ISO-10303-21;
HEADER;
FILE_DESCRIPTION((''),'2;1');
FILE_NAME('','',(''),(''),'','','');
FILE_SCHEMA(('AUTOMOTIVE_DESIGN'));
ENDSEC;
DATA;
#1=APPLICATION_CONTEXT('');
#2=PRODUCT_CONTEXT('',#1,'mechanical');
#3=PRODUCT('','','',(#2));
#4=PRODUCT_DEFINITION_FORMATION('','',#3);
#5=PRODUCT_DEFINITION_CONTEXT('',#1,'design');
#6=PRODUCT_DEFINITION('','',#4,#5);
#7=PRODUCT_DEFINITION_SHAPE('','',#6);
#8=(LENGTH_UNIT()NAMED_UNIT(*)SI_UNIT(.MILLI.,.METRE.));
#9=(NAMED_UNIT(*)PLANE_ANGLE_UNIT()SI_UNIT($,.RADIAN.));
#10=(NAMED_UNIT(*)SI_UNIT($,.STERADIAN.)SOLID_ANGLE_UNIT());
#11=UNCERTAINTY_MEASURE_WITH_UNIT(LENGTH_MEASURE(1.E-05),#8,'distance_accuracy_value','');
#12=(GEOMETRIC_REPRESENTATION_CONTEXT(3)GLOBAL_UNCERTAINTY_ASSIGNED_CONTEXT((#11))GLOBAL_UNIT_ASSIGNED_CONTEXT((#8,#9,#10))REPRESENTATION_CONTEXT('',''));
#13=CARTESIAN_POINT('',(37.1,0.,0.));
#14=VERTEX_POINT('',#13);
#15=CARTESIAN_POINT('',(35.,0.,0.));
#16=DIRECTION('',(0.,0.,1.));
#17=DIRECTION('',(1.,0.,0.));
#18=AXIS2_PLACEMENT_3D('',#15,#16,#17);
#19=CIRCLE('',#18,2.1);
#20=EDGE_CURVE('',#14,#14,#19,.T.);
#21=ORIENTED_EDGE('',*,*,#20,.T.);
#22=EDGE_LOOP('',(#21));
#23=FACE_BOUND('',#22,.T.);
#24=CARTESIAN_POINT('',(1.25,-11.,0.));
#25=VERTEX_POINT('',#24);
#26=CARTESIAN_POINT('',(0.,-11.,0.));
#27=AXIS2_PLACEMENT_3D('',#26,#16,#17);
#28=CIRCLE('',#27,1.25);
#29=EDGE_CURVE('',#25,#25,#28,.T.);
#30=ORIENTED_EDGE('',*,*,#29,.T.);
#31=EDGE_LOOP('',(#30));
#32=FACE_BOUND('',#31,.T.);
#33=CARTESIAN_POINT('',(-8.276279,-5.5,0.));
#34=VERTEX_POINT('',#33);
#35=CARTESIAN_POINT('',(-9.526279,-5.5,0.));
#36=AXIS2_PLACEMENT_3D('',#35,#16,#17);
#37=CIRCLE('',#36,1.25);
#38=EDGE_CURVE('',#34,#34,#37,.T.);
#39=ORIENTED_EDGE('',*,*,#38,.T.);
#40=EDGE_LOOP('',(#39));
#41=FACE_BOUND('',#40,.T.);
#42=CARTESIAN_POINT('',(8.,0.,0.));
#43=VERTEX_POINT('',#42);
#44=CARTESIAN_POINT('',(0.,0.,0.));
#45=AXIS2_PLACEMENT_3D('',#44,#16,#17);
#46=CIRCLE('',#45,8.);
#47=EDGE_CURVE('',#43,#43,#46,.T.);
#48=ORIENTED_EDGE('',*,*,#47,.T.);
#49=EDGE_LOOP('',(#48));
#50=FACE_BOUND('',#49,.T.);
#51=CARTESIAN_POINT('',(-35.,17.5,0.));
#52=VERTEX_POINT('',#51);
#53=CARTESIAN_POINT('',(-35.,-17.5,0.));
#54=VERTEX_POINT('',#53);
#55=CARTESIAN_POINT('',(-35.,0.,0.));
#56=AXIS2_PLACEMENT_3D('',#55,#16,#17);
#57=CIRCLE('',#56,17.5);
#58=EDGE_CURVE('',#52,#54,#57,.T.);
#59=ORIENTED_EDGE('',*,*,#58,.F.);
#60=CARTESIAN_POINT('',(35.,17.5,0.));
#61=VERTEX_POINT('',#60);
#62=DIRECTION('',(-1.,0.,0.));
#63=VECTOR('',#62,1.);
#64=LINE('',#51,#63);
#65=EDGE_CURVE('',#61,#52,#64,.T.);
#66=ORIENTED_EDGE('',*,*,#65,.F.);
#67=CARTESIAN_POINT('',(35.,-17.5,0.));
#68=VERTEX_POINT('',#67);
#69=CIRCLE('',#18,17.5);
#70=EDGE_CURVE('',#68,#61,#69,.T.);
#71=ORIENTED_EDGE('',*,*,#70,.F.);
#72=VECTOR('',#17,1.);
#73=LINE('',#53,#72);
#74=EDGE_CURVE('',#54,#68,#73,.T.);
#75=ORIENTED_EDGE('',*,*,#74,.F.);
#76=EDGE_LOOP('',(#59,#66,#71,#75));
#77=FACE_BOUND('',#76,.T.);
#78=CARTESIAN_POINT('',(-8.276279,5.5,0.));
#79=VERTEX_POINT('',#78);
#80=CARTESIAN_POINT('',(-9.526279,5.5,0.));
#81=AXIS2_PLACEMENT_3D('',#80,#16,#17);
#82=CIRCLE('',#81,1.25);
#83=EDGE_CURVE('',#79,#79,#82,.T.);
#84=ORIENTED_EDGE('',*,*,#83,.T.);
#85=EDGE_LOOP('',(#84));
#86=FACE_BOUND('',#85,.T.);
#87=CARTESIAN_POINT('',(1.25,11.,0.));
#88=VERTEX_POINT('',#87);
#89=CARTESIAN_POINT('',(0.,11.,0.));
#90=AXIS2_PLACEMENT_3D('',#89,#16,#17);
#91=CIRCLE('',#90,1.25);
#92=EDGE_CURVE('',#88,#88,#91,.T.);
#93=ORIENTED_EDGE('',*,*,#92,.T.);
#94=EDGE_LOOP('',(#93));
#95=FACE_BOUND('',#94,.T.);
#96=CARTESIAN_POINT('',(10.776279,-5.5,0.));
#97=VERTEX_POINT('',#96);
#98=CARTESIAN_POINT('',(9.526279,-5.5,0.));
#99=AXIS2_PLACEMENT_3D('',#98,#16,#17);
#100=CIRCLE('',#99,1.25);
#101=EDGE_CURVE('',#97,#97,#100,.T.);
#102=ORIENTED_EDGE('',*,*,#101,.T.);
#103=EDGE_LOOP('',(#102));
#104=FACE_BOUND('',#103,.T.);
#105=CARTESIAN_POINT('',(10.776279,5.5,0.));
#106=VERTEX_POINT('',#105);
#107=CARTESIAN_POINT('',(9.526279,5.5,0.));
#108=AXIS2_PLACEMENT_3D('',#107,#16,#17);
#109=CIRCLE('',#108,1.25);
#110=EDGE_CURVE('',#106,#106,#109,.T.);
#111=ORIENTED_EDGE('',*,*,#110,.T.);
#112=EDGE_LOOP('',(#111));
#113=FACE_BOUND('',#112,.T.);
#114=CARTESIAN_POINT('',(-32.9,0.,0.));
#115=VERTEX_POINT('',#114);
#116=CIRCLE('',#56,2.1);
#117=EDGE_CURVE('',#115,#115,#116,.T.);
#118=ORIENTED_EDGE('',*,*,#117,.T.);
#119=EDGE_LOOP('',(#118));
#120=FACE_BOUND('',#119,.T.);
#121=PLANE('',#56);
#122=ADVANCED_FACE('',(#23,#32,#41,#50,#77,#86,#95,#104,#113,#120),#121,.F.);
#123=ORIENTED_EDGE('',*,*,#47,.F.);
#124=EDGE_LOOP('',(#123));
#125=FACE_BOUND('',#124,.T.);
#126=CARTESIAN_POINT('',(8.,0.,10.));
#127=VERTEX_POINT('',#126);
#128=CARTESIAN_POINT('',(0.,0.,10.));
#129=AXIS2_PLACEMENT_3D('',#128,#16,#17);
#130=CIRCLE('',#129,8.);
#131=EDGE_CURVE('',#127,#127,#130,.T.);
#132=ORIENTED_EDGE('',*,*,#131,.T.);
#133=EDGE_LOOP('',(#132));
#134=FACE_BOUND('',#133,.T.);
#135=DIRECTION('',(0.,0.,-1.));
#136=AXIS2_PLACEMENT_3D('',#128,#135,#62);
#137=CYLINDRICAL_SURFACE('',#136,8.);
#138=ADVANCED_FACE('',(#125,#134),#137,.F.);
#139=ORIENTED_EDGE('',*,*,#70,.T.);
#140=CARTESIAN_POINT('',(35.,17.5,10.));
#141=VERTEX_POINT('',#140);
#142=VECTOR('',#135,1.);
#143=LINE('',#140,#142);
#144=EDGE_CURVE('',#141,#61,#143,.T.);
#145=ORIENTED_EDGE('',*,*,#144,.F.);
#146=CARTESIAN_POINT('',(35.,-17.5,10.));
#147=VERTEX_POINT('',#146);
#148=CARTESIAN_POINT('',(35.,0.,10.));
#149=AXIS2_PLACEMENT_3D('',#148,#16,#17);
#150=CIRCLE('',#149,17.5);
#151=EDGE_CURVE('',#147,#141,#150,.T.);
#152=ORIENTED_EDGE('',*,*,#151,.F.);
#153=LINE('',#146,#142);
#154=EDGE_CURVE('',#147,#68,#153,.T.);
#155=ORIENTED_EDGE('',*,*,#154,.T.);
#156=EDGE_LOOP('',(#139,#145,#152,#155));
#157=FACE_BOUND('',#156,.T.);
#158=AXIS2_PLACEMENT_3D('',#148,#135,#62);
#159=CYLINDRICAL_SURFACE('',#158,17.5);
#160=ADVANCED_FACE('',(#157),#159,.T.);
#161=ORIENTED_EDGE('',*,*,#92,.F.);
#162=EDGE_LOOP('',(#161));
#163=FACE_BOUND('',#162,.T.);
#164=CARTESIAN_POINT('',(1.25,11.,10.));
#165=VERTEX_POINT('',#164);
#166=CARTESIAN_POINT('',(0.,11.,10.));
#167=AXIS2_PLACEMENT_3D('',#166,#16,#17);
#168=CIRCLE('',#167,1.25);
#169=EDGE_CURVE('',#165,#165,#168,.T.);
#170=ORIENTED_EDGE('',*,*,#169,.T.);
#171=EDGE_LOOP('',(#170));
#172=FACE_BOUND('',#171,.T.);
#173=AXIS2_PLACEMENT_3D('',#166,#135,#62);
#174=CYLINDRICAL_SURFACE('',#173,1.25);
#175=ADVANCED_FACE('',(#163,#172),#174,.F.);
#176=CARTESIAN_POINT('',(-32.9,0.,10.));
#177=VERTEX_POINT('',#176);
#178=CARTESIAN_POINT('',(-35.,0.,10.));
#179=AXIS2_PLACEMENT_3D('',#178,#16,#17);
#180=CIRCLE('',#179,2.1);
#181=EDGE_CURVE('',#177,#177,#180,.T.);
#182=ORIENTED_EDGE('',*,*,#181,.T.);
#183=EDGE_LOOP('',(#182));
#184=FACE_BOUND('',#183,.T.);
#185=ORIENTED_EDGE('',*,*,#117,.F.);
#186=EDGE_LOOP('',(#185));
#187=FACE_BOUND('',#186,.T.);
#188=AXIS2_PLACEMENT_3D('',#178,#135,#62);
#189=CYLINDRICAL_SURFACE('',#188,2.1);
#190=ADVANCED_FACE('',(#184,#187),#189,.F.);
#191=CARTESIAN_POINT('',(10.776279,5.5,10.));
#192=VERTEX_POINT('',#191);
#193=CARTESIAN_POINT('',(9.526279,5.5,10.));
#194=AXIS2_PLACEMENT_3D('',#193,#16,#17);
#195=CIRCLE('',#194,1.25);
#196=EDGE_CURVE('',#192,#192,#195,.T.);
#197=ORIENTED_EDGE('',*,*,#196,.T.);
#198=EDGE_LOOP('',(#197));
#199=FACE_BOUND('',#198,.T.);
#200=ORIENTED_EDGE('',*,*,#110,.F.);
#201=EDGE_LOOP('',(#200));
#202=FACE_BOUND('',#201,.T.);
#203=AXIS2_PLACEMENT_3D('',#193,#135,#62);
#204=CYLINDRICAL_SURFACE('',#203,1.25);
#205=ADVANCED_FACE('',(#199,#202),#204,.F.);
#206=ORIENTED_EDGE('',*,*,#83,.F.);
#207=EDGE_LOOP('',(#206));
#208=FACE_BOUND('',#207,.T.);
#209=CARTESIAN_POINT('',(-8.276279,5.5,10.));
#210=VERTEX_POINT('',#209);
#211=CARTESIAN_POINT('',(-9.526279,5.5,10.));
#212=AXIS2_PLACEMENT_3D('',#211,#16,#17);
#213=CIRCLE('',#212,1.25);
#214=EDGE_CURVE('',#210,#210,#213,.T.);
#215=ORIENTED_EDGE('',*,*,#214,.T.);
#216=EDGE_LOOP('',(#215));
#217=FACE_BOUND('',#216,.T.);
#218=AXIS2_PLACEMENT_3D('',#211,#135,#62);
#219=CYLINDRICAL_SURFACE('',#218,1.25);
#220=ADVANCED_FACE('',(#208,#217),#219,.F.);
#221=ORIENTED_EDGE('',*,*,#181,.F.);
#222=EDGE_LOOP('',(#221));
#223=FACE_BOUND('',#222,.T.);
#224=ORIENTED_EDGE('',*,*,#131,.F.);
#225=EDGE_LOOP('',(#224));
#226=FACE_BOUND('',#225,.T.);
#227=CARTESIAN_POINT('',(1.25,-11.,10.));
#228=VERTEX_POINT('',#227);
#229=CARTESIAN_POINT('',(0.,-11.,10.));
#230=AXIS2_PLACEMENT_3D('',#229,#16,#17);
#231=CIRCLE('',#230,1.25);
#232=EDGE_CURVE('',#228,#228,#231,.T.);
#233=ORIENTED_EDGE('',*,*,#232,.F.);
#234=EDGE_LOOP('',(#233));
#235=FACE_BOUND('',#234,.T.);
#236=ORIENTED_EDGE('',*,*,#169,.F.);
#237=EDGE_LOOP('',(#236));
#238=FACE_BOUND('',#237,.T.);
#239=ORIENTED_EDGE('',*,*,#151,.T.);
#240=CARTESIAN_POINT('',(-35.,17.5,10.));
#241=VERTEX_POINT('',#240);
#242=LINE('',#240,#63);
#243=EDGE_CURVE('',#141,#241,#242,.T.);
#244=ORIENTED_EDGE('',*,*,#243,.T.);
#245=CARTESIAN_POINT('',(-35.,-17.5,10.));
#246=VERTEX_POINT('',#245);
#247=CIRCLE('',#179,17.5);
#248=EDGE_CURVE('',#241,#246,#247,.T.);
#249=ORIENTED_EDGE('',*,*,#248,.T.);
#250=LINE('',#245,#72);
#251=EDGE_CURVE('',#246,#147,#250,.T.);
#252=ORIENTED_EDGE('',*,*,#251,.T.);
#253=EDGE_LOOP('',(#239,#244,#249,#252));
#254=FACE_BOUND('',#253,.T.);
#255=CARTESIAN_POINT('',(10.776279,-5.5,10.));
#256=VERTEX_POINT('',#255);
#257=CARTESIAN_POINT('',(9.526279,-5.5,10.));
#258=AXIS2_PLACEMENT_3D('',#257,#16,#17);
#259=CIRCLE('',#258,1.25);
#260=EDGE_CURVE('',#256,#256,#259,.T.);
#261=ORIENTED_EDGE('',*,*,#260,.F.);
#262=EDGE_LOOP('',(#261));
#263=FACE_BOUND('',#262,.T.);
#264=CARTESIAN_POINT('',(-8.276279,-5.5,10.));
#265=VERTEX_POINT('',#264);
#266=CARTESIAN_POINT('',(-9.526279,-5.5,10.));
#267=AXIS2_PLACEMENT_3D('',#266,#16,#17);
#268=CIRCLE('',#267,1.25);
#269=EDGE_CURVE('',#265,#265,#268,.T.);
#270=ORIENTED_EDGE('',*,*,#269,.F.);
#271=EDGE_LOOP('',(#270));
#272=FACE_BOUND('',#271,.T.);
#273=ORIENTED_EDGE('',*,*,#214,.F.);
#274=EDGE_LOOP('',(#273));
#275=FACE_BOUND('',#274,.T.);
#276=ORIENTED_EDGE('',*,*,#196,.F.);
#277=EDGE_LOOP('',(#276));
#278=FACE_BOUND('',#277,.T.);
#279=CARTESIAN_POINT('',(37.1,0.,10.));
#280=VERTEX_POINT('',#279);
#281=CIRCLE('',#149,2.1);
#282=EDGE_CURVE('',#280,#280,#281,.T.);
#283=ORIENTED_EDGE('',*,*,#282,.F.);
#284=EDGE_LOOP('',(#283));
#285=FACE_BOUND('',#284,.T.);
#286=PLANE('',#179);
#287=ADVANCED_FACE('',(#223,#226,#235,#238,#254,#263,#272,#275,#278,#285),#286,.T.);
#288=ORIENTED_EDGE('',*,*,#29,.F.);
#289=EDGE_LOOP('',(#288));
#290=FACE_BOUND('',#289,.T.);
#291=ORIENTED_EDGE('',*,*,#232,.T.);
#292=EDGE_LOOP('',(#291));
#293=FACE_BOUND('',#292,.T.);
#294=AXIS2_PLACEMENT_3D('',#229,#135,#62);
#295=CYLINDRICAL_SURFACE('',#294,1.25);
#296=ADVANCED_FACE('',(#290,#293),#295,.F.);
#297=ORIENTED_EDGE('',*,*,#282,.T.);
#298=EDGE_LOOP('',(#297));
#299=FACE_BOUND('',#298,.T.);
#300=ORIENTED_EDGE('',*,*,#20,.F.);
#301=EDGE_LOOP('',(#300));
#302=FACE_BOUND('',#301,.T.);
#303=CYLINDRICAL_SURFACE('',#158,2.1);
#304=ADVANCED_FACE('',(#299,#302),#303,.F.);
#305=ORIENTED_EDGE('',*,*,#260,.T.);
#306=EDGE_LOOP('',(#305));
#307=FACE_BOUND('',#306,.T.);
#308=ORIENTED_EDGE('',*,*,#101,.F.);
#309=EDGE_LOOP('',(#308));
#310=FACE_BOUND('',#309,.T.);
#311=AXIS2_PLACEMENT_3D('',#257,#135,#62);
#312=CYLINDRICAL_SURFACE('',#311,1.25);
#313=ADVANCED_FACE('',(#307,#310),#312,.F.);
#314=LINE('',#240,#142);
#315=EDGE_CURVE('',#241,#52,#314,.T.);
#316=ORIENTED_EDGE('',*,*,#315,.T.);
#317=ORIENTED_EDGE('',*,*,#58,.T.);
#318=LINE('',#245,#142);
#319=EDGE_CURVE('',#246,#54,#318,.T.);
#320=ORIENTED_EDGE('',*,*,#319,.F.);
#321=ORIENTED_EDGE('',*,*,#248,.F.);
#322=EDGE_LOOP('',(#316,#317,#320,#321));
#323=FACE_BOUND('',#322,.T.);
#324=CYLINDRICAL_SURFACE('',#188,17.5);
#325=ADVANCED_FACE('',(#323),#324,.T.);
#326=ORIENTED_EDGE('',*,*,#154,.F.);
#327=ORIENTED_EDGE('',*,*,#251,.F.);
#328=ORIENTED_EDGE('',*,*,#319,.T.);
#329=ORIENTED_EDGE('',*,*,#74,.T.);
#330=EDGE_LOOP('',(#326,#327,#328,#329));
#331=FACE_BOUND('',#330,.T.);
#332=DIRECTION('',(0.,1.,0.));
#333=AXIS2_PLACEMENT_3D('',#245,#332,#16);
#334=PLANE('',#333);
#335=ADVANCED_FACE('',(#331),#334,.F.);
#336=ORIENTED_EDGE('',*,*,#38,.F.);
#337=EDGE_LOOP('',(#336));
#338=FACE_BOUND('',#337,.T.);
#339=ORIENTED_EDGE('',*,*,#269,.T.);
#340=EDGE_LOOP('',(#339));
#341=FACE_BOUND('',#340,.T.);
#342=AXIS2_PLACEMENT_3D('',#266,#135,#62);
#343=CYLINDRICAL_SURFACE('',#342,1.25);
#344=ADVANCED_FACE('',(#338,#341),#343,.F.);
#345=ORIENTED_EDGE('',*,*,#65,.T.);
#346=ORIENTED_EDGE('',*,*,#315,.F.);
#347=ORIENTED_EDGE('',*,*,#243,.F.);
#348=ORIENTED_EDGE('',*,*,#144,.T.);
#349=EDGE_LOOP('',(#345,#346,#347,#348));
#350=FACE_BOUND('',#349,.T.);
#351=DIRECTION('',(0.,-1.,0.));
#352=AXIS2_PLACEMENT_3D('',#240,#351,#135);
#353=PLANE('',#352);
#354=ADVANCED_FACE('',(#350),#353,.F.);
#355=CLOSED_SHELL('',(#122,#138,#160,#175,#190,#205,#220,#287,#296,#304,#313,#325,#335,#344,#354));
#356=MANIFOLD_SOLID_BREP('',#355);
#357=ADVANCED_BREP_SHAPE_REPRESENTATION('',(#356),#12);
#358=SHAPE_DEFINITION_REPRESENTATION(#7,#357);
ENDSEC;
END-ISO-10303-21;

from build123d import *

# Parameters (mm, degrees)
IZIM1_R                     = 8
IZIM1_R_2                   = 2.1
IZIM1_R_3                   = 1.25
Y_KSEKLIK_EKSTR_ZYON1_DEPTH = 10


with BuildPart() as part:
    # Çizim1 → Yükseklik-Ekstrüzyon1 (new body)
    with BuildSketch(Plane.XY):
        with BuildLine():
            Line((-35, 17.5), (35, 17.5))
            ThreePointArc((35, 17.5), (52.5, 0), (35, -17.5))
            Line((35, -17.5), (-35, -17.5))
            ThreePointArc((-35, -17.5), (-52.5, 0), (-35, 17.5))
        make_face()
        Circle(IZIM1_R, mode=Mode.SUBTRACT)
        with Locations((-35, 0)):
            Circle(IZIM1_R_2, mode=Mode.SUBTRACT)
        with Locations((0, 11)):
            Circle(IZIM1_R_3, mode=Mode.SUBTRACT)
        with Locations((9.526279442, 5.5)):
            Circle(IZIM1_R_3, mode=Mode.SUBTRACT)
        with Locations((9.526279442, -5.5)):
            Circle(IZIM1_R_3, mode=Mode.SUBTRACT)
        with Locations((0, -11)):
            Circle(IZIM1_R_3, mode=Mode.SUBTRACT)
        with Locations((-9.526279442, -5.5)):
            Circle(IZIM1_R_3, mode=Mode.SUBTRACT)
        with Locations((-9.526279442, 5.5)):
            Circle(IZIM1_R_3, mode=Mode.SUBTRACT)
        with Locations((35, 0)):
            Circle(IZIM1_R_2, mode=Mode.SUBTRACT)
    extrude(amount=Y_KSEKLIK_EKSTR_ZYON1_DEPTH)


solid = part.part
